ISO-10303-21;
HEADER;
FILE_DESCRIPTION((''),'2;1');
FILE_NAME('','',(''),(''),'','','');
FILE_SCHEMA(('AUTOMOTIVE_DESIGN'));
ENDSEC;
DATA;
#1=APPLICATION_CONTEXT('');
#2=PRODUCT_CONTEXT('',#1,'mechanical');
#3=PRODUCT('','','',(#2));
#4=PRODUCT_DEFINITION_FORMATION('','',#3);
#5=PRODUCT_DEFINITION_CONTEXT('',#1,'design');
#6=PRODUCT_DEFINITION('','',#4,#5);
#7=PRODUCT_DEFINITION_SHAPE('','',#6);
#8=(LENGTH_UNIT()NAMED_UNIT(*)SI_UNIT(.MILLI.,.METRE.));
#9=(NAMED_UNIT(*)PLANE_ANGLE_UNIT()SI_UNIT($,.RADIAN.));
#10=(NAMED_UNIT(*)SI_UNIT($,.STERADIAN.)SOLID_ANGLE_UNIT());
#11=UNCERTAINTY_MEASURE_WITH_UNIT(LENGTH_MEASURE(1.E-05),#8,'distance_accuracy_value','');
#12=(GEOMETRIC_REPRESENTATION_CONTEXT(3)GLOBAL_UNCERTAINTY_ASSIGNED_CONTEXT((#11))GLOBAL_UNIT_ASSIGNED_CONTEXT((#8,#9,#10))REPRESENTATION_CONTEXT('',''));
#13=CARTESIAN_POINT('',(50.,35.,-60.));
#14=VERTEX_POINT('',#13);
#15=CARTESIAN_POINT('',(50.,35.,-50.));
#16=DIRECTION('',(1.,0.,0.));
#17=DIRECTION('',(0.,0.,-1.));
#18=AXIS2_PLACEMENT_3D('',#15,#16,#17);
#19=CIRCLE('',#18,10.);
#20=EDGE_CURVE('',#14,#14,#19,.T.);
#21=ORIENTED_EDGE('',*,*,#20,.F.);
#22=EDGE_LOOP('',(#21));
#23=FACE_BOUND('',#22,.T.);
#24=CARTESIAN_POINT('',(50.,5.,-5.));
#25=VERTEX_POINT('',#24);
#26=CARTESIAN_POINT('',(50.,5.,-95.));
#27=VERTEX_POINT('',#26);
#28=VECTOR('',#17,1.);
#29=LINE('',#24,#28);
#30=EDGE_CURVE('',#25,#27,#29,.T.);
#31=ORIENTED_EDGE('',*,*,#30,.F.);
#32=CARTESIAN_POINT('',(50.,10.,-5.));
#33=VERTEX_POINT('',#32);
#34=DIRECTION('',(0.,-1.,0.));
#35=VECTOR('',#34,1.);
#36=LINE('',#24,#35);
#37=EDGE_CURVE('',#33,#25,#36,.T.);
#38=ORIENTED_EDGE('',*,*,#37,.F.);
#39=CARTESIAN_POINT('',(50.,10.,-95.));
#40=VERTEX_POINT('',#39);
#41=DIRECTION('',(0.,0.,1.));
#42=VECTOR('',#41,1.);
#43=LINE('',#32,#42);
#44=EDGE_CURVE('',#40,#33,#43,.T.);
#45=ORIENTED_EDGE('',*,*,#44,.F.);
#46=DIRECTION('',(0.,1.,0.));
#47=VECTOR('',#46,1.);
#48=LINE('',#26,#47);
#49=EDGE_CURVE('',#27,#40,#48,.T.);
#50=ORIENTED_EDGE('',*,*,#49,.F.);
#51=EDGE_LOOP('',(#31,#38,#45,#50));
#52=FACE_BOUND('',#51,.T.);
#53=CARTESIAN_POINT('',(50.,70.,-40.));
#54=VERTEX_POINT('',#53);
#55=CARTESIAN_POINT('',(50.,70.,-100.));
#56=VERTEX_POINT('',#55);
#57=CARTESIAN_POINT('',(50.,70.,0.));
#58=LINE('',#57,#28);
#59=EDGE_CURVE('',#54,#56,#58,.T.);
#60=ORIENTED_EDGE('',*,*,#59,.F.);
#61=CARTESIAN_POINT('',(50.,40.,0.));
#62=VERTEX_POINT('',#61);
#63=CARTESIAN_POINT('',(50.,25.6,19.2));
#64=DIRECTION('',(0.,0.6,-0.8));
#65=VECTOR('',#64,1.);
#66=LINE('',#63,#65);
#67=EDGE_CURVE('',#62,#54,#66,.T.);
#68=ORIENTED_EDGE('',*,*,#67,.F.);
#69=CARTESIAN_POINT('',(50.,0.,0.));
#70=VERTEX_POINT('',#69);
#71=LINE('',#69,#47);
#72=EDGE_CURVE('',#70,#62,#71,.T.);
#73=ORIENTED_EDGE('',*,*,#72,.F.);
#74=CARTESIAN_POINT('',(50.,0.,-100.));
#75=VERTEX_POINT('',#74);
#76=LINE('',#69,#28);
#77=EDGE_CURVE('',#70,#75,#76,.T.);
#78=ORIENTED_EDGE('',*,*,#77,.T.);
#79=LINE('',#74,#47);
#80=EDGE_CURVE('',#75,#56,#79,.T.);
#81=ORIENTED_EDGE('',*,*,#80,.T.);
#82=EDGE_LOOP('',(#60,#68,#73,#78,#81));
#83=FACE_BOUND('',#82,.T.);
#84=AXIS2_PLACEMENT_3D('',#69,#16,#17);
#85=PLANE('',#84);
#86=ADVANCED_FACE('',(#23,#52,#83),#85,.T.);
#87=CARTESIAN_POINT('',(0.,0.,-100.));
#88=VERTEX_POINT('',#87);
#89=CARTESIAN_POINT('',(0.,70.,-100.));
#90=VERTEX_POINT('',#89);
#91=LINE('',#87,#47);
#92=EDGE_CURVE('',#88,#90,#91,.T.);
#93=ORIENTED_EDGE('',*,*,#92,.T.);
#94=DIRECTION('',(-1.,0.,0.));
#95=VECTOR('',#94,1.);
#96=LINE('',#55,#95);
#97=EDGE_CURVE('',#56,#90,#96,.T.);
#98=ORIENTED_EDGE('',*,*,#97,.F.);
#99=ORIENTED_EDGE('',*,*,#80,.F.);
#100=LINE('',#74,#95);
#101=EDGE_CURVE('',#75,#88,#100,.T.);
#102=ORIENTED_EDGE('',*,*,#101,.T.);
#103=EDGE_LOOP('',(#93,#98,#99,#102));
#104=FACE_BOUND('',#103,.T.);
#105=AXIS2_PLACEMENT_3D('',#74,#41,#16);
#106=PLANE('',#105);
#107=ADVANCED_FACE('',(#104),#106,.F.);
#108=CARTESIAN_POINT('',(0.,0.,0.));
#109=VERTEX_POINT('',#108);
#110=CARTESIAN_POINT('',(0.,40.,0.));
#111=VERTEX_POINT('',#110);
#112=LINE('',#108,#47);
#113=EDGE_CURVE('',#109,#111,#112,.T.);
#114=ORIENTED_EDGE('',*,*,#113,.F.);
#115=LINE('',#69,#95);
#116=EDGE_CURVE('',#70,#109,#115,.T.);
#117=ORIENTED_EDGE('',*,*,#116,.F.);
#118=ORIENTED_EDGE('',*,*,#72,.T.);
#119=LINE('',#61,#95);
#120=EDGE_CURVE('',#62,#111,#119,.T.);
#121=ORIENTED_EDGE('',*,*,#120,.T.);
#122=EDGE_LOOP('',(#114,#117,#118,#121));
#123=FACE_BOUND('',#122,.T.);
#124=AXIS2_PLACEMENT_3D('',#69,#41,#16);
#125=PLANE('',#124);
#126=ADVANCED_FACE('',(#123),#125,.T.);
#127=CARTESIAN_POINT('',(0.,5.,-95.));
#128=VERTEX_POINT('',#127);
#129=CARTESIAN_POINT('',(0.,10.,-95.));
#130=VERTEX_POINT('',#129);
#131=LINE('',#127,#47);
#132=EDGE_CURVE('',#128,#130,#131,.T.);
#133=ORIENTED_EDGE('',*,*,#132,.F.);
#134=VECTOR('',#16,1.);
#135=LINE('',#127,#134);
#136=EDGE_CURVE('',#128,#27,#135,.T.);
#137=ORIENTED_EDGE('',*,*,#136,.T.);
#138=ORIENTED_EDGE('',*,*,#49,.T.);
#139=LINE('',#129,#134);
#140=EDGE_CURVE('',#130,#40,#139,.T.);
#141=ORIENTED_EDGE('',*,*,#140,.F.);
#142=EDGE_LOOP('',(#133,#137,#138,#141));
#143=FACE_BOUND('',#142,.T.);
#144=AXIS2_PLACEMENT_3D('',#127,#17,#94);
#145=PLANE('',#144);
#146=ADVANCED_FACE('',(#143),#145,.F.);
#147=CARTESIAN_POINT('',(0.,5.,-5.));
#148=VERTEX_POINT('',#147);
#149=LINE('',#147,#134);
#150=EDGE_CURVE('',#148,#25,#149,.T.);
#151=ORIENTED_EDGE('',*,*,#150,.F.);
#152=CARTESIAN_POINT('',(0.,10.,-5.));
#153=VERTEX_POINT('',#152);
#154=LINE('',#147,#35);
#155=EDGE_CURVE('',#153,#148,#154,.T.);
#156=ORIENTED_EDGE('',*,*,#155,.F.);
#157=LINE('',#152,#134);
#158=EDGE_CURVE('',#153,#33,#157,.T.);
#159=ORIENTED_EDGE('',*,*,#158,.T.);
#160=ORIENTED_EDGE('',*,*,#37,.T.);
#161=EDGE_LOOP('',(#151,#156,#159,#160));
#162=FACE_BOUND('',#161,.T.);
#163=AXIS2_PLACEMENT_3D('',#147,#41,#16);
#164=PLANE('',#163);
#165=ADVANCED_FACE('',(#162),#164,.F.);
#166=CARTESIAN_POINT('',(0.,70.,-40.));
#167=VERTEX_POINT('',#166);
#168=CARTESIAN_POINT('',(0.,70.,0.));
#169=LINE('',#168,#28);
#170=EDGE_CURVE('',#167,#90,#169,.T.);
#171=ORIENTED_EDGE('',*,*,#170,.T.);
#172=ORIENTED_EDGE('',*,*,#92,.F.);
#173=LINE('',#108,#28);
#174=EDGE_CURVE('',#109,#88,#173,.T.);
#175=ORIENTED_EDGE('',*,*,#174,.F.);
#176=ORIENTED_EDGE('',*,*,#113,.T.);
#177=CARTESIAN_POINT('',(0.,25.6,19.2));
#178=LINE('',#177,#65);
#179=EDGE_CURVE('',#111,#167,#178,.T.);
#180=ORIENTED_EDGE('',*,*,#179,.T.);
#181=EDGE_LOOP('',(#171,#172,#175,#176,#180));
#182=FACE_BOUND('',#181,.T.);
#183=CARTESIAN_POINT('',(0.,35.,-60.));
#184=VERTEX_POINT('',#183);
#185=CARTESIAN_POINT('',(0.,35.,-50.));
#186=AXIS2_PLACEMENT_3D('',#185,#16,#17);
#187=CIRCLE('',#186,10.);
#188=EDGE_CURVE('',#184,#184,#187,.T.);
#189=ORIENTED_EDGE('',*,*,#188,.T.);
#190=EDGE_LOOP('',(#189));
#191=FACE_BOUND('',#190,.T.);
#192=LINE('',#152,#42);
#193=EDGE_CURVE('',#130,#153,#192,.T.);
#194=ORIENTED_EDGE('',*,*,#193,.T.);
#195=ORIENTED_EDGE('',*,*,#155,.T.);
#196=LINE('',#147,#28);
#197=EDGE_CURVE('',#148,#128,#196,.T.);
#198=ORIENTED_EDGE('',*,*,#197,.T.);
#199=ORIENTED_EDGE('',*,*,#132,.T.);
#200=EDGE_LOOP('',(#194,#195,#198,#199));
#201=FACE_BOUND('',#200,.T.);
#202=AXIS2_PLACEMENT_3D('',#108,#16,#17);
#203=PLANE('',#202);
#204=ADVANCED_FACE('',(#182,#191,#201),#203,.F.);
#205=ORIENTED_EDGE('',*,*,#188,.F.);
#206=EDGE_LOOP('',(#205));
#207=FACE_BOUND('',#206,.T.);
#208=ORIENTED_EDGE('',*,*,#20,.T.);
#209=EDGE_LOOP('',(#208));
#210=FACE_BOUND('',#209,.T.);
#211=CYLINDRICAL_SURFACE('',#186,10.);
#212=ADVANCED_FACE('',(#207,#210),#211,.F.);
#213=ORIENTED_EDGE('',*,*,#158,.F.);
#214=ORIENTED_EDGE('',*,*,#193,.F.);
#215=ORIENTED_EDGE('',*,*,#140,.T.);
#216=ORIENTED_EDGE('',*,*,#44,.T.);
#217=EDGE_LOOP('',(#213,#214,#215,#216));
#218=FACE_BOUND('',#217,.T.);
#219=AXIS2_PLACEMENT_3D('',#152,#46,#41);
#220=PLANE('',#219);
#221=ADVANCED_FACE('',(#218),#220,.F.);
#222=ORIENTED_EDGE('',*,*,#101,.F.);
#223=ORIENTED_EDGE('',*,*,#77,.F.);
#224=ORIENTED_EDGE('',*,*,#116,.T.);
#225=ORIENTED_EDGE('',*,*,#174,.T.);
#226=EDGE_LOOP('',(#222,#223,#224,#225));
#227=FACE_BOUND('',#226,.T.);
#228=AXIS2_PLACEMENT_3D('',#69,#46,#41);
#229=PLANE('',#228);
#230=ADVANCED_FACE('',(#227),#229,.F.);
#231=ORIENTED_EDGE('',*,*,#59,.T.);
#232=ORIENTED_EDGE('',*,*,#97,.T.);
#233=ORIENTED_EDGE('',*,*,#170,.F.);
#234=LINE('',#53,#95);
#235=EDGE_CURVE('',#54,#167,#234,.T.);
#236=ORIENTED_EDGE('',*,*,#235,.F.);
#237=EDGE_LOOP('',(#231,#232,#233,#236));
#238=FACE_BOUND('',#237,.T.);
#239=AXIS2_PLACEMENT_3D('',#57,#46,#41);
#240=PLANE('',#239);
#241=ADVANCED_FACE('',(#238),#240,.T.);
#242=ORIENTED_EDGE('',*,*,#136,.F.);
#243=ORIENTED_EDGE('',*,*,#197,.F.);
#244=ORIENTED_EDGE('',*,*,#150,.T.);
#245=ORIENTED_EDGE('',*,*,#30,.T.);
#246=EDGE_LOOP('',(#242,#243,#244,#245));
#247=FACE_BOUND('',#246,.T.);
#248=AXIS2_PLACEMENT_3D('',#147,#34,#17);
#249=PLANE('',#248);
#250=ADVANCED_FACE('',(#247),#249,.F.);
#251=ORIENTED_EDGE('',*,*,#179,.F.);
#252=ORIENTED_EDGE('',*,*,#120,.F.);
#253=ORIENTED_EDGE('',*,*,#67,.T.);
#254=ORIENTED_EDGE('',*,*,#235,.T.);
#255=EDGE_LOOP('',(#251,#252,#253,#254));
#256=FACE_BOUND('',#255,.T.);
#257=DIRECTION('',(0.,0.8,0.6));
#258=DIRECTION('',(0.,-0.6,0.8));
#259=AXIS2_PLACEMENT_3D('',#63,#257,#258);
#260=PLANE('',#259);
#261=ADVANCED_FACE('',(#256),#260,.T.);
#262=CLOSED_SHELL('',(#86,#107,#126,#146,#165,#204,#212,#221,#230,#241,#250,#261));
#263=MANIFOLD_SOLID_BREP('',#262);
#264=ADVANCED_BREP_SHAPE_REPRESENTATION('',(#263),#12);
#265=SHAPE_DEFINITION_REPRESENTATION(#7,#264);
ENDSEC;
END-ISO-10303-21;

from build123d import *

# Parameters (mm, degrees)
BOSS_EXTRUDE1_DEPTH = 50
SKETCH2_R           = 10
CUT_EXTRUDE1_DEPTH  = 51
SKETCH3_W           = 90
SKETCH3_H           = 5
CUT_EXTRUDE2_DEPTH  = 51


with BuildPart() as part:
    # Sketch1 → Boss-Extrude1 (new body)
    with BuildSketch(Plane(origin=(0, 0, 0), x_dir=(0, 0, -1), z_dir=(1, 0, 0))):
        Polygon((40, 70), (0, 40), (0, 0), (100, 0), (100, 70), align=None)
    extrude(amount=BOSS_EXTRUDE1_DEPTH)

    # Sketch2 → Cut-Extrude1 (cut, through all)
    with BuildSketch(Plane(origin=(50, 0, 0), x_dir=(0, 0, -1), z_dir=(1, 0, 0))):
        with Locations((50, 35)):
            Circle(SKETCH2_R)
    extrude(amount=-CUT_EXTRUDE1_DEPTH, mode=Mode.SUBTRACT)

    # Sketch3 → Cut-Extrude2 (cut, through all)
    with BuildSketch(Plane(origin=(50, 0, 0), x_dir=(0, 0, -1), z_dir=(1, 0, 0))):
        with Locations((50, 7.5)):
            Rectangle(SKETCH3_W, SKETCH3_H)
    extrude(amount=-CUT_EXTRUDE2_DEPTH, mode=Mode.SUBTRACT)


solid = part.part
